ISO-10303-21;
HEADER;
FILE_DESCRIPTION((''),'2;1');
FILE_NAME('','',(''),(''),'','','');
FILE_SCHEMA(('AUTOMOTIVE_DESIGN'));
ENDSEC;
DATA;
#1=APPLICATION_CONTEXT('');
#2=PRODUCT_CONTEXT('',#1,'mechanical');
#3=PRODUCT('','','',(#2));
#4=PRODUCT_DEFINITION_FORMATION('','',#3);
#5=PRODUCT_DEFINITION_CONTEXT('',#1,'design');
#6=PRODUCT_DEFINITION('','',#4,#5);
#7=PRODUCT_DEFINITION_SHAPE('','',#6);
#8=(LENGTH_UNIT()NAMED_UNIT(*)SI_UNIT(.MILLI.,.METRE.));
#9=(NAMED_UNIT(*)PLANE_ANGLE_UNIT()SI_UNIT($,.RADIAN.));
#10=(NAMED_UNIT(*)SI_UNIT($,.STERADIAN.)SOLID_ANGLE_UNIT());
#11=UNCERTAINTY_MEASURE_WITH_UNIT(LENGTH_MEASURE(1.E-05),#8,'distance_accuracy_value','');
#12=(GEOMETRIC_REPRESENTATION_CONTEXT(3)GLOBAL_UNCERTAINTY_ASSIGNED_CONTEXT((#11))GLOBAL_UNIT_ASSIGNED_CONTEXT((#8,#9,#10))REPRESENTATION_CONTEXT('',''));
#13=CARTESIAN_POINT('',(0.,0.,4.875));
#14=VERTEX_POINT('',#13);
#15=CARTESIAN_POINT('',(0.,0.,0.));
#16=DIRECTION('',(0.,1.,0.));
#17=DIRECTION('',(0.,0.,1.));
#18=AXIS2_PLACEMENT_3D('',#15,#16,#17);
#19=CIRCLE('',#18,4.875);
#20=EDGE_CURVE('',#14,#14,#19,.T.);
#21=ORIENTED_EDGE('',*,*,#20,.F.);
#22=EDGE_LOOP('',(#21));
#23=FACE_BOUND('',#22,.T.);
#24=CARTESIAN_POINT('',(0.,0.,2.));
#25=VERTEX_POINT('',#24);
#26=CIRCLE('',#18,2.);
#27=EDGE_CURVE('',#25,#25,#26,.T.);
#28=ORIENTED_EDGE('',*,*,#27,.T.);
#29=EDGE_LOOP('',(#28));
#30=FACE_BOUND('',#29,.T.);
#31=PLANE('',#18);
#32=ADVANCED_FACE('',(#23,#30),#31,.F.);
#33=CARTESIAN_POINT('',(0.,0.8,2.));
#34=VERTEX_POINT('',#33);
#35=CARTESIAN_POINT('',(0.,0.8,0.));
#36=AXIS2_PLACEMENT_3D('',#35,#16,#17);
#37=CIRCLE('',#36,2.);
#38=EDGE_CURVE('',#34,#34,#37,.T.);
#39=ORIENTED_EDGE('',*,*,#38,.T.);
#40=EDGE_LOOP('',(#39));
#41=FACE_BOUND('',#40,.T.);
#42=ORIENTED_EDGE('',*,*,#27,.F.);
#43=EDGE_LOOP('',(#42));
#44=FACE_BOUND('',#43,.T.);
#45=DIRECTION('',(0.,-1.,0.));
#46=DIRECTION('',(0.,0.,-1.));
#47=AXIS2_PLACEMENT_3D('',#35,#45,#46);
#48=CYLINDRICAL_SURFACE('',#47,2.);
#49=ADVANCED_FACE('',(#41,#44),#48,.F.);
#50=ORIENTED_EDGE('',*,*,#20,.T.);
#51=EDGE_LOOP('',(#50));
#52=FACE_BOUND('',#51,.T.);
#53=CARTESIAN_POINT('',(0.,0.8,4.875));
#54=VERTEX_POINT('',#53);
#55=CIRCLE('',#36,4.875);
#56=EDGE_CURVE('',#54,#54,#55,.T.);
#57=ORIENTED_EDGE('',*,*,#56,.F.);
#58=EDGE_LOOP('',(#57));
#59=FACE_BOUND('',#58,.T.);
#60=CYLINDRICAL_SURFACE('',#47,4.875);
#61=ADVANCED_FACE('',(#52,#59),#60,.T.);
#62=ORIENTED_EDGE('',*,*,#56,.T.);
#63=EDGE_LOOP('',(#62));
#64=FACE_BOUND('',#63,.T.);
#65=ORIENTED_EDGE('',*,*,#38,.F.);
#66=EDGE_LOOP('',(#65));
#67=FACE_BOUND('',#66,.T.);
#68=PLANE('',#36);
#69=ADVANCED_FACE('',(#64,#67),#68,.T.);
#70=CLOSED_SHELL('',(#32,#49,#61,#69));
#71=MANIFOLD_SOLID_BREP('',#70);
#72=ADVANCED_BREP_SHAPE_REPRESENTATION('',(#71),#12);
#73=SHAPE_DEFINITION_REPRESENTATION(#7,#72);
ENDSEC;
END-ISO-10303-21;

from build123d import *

# Parameters (mm, degrees)
SKETCH_1_R      = 4.875
SKETCH_1_R_2    = 2
EXTRUDE_1_DEPTH = 0.8


with BuildPart() as part:
    # ｽｹｯﾁ1 → ﾎﾞｽ - 押し出し1 (new body)
    with BuildSketch(Plane(origin=(0, 0, 0), x_dir=(1, 0, 0), z_dir=(0, 1, 0))):
        with Locations(Location((0, 0, 0), (0, 0, 270))):
            Circle(SKETCH_1_R)
        with Locations(Location((0, 0, 0), (0, 0, 270))):
            Circle(SKETCH_1_R_2, mode=Mode.SUBTRACT)
    extrude(amount=EXTRUDE_1_DEPTH)


solid = part.part
